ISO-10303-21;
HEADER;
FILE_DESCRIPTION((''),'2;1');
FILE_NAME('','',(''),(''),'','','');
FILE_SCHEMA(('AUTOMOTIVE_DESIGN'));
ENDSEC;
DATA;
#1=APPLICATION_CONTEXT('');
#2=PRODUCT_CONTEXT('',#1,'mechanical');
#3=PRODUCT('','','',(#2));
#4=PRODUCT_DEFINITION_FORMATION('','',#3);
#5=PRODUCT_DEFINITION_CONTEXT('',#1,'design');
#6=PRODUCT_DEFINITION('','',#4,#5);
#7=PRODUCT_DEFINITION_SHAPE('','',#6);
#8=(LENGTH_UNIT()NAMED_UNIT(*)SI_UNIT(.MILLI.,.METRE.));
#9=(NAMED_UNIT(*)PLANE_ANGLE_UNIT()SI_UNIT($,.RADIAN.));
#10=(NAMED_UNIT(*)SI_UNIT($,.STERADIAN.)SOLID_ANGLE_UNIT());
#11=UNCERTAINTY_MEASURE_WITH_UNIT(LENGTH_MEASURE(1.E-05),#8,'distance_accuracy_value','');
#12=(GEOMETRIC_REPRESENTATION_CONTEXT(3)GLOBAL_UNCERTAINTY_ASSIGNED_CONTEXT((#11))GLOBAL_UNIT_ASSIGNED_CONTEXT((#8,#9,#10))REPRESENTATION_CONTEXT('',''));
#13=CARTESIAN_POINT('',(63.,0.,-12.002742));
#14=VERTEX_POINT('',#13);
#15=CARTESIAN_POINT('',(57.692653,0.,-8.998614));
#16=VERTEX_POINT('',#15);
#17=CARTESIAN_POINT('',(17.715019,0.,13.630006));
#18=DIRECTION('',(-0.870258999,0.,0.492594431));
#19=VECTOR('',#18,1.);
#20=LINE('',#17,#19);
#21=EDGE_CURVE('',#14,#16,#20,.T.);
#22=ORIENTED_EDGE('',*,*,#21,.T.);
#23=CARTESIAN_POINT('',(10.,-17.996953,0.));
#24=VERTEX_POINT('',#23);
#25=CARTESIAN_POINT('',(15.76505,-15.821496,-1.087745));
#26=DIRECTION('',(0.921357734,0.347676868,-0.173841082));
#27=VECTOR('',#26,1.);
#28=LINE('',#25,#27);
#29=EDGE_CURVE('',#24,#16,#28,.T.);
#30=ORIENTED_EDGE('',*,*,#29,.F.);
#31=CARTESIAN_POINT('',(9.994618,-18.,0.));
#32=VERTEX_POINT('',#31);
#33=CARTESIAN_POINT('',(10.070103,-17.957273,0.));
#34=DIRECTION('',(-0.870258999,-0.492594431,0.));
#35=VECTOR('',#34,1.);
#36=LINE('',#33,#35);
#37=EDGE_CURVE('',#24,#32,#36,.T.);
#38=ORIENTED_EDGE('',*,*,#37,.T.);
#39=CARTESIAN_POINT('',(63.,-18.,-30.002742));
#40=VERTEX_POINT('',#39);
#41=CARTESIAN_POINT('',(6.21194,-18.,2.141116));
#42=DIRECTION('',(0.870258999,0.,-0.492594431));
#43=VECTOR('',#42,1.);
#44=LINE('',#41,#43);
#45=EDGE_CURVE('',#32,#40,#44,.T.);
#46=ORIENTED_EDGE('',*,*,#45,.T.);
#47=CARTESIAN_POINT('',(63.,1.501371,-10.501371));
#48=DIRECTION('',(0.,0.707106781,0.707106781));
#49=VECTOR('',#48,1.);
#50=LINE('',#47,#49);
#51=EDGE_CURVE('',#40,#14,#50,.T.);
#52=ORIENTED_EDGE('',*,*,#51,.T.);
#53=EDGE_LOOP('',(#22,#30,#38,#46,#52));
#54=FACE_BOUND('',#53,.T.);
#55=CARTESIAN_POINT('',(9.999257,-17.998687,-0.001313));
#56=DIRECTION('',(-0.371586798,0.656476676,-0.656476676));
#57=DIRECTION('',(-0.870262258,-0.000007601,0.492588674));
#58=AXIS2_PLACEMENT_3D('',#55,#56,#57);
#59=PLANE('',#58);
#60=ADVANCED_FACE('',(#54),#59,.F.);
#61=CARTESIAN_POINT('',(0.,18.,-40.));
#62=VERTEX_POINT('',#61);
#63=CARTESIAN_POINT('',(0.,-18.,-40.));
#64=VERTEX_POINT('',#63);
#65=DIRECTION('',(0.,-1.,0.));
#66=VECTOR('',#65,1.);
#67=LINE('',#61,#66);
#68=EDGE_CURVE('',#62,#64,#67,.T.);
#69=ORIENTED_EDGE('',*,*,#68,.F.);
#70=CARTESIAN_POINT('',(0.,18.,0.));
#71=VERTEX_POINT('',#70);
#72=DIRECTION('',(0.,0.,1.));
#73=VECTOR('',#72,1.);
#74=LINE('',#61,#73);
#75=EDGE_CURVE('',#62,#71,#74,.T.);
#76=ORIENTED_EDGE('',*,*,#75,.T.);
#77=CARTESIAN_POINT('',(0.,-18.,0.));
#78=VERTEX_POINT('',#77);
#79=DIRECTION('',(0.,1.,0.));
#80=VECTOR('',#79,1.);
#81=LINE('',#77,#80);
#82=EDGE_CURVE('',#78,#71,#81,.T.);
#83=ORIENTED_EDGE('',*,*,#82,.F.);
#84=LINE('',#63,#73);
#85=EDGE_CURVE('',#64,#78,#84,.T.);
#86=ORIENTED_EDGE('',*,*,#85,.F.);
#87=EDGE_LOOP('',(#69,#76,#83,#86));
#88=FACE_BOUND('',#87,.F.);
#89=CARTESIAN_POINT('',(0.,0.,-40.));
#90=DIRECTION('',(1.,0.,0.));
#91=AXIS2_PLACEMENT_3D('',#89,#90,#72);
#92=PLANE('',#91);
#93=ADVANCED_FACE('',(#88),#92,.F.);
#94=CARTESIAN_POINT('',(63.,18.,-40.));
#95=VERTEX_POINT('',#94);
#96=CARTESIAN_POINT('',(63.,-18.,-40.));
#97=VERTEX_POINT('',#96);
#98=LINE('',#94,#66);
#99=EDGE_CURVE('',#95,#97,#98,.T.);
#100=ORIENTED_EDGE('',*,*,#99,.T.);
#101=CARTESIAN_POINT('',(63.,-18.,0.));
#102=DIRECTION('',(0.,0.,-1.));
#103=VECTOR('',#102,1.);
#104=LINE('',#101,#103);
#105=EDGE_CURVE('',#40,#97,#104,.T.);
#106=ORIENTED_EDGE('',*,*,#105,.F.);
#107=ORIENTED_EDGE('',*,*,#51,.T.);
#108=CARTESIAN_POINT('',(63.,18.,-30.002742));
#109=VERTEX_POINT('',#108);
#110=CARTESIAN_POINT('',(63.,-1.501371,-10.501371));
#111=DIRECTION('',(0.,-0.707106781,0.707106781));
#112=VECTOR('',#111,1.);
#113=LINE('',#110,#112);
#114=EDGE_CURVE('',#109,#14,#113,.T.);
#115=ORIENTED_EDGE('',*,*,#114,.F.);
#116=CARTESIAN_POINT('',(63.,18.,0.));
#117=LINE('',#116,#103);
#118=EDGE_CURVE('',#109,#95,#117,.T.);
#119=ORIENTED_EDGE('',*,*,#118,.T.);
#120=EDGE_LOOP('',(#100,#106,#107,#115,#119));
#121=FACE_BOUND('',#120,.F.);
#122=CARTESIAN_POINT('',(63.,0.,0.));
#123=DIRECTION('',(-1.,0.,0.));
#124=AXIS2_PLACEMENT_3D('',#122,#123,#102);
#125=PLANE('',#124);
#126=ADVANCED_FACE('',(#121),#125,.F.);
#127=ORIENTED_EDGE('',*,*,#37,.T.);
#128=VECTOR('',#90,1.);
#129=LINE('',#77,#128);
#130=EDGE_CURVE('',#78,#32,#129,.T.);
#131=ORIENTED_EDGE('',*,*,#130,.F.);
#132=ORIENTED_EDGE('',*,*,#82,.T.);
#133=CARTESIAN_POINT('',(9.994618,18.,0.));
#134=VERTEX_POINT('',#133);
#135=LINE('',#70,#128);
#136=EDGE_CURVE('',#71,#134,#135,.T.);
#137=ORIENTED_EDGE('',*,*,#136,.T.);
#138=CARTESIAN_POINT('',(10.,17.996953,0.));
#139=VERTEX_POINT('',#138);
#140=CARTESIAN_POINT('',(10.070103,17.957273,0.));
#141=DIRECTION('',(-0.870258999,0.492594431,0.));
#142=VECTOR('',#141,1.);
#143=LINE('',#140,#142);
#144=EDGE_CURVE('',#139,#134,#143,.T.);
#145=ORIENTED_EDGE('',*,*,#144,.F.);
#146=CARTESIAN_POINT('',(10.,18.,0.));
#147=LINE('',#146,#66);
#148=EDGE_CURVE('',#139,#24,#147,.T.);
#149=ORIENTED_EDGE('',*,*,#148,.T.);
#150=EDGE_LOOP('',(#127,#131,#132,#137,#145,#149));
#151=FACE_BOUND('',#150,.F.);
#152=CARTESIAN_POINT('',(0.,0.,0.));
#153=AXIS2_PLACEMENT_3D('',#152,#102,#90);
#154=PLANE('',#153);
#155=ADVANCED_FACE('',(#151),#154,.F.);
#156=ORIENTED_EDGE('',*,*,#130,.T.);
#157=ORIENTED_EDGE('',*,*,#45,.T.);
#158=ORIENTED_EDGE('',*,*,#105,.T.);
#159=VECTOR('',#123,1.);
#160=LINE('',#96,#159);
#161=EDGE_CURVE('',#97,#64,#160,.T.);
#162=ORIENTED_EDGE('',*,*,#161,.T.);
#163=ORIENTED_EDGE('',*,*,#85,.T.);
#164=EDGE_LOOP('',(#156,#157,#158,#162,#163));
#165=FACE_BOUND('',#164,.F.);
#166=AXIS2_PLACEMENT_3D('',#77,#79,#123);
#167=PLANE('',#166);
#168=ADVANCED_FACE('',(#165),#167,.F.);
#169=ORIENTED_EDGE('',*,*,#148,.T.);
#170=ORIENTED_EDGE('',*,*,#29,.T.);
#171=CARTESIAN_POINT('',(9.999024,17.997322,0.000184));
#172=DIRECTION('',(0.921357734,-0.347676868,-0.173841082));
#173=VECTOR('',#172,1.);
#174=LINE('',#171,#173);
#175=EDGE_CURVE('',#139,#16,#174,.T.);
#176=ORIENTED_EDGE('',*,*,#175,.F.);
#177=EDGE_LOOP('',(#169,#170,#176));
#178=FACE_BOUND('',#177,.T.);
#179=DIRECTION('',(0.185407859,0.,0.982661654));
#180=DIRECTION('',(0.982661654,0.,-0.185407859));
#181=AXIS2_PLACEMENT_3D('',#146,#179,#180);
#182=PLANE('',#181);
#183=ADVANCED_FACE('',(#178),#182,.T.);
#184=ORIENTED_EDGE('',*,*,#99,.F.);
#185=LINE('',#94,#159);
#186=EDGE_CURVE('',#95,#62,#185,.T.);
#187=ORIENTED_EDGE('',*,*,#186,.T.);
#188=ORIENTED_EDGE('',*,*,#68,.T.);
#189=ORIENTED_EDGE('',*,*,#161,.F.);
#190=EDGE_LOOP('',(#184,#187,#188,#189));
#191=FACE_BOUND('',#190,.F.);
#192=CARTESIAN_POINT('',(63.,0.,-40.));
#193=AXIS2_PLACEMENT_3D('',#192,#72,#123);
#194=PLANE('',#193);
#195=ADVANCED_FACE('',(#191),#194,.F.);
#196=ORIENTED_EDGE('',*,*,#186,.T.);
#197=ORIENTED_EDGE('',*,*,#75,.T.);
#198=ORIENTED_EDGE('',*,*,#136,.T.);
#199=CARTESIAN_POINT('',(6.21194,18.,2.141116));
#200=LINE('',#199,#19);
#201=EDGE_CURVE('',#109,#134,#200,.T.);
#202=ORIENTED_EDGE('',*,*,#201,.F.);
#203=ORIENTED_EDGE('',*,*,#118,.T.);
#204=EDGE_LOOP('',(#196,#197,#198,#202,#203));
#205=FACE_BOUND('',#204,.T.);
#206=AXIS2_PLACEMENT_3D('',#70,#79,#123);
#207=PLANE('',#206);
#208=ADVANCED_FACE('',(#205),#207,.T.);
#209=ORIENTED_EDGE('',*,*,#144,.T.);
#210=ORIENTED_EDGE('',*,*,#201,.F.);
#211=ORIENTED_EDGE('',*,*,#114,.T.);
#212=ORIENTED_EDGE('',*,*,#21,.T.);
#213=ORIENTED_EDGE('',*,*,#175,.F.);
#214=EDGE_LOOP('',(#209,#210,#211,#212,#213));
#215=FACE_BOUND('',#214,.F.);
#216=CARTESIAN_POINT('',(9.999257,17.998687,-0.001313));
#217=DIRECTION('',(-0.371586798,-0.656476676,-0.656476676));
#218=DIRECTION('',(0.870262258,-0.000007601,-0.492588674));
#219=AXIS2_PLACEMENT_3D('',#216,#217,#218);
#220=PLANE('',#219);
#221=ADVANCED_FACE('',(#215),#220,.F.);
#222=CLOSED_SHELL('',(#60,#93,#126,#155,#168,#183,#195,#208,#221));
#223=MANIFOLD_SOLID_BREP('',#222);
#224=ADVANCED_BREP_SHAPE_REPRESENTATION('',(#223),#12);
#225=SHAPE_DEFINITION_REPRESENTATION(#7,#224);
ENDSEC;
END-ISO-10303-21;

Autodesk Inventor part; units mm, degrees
ref_plane "YZ Plane" through (0, 0, 0) normal (1, 0, 0) x (0, 1, 0)
ref_plane "XZ Plane" through (0, 0, 0) normal (0, 1, 0) x (-1, 0, 0)
sketch "草圖1" plane through (0, 0, 0) normal (0, 1, 0) x (-1, 0, 0)
  line L0 (0, 0) -> (-63, 0)
  line L1 (-63, 0) -> (-63, -40)
  line L2 (-63, -40) -> (0, -40)
  line L3 (0, -40) -> (0, 0)
  dimension "d0" = 63
  dimension "d1" = 40
extrude "擠出1" add sketch "草圖1" along normal mid plane 36
sketch "草圖2" plane through (0, 18, 0) normal (0, 1, 0) x (1, 0, 0)
  line L0 (0, 0) -> (63, 0) projected
  line L1 (10, 0) -> (63, 10)
  line L2 (63, 0) -> (63, 40) projected
  dimension "d4" = 10
  dimension "d5" = 30
extrude "擠出2" cut sketch "草圖2" against normal blind 40
sketch "草圖3" plane through (63, -18, -40) normal (1, 0, 0) x (0, 0, -1)
  line L0 (-30, 16) -> (-10, 36)
  line L1 (0, 36) -> (-40, 36) projected
  line L2 (-30, 36) -> (-30, 0) projected
  point P0 (-40, 18)
  dimension "d8" = 20
  dimension "d9" = 20
ref_plane "工作平面1" through (10, 18, 0) normal (-0.3716, -0.6565, -0.6565) x (0.8703, 0, -0.4926)
sketch "草圖4" plane through (10, 18, 0) normal (-0.3716, -0.6565, -0.6565) x (0.8703, 0, -0.4926)
  line L0 (-15.1543, -12.3218) -> (93.717, -12.3218)
  line L1 (93.717, -12.3218) -> (93.717, 28.8166)
  line L2 (93.717, 28.8166) -> (-15.1543, 28.8166)
  line L3 (-15.1543, 28.8166) -> (-15.1543, -12.3218)
  point P0 (-8.7026, 10.3445)
extrude "擠出3" cut sketch "草圖4" against normal blind 40
mirror "鏡射1" about plane through (0, 0, 0) normal (0, 1, 0) of "擠出3"
properties part number "14"
